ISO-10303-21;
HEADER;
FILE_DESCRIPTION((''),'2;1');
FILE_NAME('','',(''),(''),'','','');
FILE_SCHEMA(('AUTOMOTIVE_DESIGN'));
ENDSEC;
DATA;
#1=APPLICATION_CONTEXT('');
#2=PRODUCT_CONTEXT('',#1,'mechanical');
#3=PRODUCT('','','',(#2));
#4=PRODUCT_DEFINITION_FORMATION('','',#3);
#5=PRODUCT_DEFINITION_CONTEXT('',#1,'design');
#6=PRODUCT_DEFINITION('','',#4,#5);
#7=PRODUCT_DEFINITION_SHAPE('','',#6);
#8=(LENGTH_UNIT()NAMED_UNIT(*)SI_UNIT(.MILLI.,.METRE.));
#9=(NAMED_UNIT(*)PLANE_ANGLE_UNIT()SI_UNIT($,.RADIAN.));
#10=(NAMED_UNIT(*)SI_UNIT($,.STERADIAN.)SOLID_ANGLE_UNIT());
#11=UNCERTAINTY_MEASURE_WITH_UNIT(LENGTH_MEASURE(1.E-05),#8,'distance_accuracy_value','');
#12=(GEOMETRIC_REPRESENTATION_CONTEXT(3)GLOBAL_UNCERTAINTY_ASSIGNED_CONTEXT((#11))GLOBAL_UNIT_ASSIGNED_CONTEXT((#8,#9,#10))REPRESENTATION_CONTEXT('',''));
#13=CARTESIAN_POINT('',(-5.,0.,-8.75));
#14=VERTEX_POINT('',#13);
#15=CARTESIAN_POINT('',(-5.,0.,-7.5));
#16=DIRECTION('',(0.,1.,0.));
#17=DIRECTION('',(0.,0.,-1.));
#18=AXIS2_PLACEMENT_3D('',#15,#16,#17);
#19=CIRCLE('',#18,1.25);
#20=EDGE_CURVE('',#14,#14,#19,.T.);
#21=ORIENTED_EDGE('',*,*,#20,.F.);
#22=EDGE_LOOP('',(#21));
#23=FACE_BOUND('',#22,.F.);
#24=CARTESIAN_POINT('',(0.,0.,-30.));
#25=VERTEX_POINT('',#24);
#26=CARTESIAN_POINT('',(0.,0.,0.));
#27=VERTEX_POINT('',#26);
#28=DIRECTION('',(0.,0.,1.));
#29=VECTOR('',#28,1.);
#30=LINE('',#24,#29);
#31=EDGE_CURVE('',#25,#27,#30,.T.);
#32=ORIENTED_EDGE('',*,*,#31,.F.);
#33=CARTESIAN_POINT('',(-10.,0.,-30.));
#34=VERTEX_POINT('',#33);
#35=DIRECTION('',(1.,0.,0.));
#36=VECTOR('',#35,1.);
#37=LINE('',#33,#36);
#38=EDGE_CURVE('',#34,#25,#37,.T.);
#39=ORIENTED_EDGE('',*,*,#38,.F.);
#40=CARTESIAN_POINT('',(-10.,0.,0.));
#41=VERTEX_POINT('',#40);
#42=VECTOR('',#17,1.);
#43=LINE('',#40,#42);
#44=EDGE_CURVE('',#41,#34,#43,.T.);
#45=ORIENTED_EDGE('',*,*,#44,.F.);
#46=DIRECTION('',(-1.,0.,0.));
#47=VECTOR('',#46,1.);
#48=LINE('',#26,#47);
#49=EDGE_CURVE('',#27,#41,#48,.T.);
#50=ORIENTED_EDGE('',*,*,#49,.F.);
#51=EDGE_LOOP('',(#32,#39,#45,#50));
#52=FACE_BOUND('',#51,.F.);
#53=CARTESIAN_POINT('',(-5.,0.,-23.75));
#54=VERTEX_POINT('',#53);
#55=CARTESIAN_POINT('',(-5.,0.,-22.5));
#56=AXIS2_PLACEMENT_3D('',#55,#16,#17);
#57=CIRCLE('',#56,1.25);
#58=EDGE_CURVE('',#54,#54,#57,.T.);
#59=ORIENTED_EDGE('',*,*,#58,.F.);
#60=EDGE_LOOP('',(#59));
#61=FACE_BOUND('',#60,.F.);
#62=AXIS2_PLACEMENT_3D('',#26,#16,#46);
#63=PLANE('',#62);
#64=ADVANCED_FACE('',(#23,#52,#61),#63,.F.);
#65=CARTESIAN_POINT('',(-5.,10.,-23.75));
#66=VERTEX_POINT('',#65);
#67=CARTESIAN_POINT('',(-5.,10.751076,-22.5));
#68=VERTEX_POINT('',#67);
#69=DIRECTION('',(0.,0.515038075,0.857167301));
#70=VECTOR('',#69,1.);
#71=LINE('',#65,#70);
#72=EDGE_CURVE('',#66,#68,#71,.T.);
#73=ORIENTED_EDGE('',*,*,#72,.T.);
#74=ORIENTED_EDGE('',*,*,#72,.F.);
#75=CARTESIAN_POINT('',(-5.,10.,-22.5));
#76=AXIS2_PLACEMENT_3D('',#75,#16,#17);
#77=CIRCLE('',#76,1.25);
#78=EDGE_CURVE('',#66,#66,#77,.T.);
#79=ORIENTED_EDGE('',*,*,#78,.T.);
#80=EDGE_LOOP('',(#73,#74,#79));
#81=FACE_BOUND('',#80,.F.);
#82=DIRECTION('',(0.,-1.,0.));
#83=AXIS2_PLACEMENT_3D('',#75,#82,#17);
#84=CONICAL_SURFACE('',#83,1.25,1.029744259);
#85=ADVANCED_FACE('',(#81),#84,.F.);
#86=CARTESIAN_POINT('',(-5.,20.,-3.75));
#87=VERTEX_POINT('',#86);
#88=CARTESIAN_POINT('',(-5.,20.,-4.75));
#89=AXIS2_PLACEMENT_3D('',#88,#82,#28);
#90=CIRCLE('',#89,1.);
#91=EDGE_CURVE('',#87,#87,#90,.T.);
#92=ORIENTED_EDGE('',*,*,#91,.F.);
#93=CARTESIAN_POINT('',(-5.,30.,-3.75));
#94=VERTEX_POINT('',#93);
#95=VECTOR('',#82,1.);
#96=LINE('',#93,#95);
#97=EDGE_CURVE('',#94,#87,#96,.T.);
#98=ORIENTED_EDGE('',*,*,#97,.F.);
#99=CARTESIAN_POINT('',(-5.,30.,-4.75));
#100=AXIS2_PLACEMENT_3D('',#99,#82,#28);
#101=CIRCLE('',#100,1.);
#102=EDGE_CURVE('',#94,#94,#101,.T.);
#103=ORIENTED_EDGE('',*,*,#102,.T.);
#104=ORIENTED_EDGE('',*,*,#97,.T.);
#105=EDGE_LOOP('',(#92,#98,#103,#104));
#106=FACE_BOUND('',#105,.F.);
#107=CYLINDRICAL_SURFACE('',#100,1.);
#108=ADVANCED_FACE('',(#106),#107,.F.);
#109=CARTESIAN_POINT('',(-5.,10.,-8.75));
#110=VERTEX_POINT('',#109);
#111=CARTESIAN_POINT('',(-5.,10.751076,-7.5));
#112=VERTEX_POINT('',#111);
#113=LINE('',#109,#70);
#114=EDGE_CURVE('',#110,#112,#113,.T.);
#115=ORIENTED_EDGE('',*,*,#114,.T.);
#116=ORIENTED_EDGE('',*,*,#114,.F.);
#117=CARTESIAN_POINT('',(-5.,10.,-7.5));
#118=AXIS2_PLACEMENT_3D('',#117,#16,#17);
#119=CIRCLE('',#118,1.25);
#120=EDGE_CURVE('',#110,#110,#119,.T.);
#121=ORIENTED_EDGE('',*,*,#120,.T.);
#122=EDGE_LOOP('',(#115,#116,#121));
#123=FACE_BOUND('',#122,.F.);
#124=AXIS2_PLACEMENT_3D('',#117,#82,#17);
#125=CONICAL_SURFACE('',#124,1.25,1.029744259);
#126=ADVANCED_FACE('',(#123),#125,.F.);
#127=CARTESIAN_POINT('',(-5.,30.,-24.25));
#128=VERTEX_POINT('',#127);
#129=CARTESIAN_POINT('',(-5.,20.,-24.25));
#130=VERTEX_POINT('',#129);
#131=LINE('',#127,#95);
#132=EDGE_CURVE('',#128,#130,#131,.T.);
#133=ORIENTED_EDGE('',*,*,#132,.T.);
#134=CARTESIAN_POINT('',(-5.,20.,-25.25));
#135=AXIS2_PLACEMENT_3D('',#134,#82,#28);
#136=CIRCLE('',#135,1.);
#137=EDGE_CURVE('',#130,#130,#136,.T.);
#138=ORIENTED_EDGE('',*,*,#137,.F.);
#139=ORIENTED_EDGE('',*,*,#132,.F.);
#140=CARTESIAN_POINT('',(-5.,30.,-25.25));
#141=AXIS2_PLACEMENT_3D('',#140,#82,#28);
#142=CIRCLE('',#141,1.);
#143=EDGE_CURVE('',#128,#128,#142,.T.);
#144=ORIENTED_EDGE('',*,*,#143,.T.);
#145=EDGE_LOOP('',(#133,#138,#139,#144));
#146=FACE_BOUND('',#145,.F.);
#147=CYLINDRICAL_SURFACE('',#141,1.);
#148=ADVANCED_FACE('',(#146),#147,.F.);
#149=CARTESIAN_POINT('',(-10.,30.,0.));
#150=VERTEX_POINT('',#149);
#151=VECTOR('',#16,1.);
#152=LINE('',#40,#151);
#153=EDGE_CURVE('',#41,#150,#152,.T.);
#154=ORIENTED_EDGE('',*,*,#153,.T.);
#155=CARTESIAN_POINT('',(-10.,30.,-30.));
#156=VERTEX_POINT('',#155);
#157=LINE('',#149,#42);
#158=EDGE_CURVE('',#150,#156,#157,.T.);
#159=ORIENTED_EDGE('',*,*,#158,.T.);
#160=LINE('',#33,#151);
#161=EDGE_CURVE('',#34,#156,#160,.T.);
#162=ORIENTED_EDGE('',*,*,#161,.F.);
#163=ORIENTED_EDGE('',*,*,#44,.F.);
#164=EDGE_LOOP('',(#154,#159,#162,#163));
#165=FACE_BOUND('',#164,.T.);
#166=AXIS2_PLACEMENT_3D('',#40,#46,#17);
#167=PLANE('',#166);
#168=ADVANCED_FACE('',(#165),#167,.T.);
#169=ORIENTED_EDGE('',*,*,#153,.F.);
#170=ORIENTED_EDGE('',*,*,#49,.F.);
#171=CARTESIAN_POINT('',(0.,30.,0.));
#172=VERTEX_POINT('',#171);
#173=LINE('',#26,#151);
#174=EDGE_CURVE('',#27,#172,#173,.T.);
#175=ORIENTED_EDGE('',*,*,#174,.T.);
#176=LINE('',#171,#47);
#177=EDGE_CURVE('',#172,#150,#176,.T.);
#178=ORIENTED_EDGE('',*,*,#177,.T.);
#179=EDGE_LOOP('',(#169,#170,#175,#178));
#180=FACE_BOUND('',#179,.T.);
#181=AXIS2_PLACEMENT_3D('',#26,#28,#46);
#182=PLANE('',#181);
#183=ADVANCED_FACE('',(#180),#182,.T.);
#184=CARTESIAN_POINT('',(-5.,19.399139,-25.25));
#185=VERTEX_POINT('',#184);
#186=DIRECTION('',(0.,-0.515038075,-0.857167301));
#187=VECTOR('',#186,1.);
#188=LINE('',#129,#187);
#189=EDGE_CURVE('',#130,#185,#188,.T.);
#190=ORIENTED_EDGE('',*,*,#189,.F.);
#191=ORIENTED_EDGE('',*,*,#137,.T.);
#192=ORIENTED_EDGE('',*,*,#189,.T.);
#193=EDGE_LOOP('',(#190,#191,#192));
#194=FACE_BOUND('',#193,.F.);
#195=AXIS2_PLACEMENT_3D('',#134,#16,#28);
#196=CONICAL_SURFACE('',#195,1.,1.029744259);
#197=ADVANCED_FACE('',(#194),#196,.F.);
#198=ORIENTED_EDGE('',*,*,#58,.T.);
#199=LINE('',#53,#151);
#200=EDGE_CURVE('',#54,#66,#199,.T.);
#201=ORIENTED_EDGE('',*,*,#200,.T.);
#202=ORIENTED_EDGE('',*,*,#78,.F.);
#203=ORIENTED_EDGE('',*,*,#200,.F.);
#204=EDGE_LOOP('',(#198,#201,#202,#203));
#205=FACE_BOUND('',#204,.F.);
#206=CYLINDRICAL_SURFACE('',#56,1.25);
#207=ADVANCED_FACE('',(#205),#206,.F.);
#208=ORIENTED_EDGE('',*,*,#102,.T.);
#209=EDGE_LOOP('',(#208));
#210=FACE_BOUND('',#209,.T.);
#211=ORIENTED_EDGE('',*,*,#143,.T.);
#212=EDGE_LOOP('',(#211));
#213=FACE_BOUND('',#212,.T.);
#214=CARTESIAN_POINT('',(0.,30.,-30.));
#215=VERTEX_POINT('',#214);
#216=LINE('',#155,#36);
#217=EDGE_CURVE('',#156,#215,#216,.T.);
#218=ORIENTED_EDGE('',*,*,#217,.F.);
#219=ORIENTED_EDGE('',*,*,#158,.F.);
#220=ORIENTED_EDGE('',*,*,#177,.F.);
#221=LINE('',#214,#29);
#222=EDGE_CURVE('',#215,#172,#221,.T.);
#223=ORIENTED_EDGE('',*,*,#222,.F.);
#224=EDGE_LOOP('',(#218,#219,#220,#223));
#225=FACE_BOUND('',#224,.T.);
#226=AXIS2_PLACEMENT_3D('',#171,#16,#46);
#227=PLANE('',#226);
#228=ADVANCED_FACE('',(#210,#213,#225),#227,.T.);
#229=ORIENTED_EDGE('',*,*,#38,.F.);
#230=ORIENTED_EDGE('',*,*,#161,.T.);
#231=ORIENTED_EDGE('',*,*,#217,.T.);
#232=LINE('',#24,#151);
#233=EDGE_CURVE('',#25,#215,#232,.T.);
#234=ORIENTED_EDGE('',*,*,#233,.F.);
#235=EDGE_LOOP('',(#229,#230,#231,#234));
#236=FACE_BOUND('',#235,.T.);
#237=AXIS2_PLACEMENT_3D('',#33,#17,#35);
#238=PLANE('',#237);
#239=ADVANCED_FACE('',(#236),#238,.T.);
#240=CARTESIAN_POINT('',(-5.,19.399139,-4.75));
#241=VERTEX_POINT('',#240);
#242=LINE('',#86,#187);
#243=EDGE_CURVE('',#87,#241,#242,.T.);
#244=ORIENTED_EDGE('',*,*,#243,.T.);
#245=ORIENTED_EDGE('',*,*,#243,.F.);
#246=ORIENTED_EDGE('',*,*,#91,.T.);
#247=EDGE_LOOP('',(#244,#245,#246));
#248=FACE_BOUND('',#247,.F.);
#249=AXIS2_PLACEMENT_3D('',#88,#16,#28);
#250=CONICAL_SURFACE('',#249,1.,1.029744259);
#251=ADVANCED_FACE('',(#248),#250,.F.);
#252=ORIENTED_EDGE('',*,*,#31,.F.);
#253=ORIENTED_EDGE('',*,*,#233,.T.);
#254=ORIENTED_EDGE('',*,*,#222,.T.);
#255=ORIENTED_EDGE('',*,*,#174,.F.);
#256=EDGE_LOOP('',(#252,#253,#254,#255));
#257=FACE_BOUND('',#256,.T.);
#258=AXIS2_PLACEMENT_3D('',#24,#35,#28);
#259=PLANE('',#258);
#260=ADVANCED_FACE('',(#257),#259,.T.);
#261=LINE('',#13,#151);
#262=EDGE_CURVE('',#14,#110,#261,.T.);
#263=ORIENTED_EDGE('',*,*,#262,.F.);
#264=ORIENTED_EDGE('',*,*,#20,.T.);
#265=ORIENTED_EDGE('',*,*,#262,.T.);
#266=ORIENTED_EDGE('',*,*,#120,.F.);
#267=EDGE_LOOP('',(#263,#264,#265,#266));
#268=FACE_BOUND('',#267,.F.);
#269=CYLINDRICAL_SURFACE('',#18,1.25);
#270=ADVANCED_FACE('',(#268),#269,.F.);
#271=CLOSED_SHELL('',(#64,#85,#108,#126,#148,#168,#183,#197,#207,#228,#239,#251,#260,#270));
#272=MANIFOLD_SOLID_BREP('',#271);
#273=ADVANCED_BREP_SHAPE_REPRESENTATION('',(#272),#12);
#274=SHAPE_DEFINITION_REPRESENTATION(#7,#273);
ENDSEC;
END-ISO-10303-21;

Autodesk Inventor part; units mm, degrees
ref_plane "YZ Plane" through (0, 0, 0) normal (1, 0, 0) x (0, 1, 0)
ref_plane "XZ Plane" through (0, 0, 0) normal (0, 1, 0) x (-1, 0, 0)
ref_plane "XY Plane" through (0, 0, 0) normal (0, 0, 1) x (1, 0, 0)
sketch "Skizze1" plane through (0, 0, 0) normal (0, 1, 0) x (-1, 0, 0)
  line L0 (0, 0) -> (10, 0)
  line L1 (10, 0) -> (10, -30)
  line L2 (10, -30) -> (0, -30)
  line L3 (0, -30) -> (0, 0)
  dimension "d0" = 10
  dimension "d1" = 30
extrude "Extrusion1" add sketch "Skizze1" along normal blind 30
sketch "Skizze2" plane through (0, 30, 0) normal (0, 1, 0) x (1, 0, 0)
  line L0 (-10, 0) -> (0, 0) projected
  line L1 (0, 0) -> (0, 30) projected
  point P0 (-5, 4.75)
  point P1 (-5, 25.25)
  dimension "d4" = 20.5
  dimension "d5" = 4.75
  dimension "d6" = 5
hole "Bohrung1" at (-5, 30, -4.75) at (-5, 30, -25.25) direction (0, -1, 0) diameter 2 depth 10 tip angle 118
sketch "Skizze4" plane through (0, 0, 0) normal (0, -1, 0) x (1, 0, 0)
  line L0 (0, 0) -> (-10, 0) projected
  line L1 (0, -30) -> (0, 0) projected
  point P0 (-5, -22.5)
  point P1 (-5, -7.5)
  dimension "d21" = 15
  dimension "d22" = 7.5
  dimension "d23" = 5
hole "Bohrung3" at (-5, 0, -22.5) at (-5, 0, -7.5) direction (0, 1, 0) diameter 2.5 depth 10 tip angle 118
properties part number "KugelRadStützen"
